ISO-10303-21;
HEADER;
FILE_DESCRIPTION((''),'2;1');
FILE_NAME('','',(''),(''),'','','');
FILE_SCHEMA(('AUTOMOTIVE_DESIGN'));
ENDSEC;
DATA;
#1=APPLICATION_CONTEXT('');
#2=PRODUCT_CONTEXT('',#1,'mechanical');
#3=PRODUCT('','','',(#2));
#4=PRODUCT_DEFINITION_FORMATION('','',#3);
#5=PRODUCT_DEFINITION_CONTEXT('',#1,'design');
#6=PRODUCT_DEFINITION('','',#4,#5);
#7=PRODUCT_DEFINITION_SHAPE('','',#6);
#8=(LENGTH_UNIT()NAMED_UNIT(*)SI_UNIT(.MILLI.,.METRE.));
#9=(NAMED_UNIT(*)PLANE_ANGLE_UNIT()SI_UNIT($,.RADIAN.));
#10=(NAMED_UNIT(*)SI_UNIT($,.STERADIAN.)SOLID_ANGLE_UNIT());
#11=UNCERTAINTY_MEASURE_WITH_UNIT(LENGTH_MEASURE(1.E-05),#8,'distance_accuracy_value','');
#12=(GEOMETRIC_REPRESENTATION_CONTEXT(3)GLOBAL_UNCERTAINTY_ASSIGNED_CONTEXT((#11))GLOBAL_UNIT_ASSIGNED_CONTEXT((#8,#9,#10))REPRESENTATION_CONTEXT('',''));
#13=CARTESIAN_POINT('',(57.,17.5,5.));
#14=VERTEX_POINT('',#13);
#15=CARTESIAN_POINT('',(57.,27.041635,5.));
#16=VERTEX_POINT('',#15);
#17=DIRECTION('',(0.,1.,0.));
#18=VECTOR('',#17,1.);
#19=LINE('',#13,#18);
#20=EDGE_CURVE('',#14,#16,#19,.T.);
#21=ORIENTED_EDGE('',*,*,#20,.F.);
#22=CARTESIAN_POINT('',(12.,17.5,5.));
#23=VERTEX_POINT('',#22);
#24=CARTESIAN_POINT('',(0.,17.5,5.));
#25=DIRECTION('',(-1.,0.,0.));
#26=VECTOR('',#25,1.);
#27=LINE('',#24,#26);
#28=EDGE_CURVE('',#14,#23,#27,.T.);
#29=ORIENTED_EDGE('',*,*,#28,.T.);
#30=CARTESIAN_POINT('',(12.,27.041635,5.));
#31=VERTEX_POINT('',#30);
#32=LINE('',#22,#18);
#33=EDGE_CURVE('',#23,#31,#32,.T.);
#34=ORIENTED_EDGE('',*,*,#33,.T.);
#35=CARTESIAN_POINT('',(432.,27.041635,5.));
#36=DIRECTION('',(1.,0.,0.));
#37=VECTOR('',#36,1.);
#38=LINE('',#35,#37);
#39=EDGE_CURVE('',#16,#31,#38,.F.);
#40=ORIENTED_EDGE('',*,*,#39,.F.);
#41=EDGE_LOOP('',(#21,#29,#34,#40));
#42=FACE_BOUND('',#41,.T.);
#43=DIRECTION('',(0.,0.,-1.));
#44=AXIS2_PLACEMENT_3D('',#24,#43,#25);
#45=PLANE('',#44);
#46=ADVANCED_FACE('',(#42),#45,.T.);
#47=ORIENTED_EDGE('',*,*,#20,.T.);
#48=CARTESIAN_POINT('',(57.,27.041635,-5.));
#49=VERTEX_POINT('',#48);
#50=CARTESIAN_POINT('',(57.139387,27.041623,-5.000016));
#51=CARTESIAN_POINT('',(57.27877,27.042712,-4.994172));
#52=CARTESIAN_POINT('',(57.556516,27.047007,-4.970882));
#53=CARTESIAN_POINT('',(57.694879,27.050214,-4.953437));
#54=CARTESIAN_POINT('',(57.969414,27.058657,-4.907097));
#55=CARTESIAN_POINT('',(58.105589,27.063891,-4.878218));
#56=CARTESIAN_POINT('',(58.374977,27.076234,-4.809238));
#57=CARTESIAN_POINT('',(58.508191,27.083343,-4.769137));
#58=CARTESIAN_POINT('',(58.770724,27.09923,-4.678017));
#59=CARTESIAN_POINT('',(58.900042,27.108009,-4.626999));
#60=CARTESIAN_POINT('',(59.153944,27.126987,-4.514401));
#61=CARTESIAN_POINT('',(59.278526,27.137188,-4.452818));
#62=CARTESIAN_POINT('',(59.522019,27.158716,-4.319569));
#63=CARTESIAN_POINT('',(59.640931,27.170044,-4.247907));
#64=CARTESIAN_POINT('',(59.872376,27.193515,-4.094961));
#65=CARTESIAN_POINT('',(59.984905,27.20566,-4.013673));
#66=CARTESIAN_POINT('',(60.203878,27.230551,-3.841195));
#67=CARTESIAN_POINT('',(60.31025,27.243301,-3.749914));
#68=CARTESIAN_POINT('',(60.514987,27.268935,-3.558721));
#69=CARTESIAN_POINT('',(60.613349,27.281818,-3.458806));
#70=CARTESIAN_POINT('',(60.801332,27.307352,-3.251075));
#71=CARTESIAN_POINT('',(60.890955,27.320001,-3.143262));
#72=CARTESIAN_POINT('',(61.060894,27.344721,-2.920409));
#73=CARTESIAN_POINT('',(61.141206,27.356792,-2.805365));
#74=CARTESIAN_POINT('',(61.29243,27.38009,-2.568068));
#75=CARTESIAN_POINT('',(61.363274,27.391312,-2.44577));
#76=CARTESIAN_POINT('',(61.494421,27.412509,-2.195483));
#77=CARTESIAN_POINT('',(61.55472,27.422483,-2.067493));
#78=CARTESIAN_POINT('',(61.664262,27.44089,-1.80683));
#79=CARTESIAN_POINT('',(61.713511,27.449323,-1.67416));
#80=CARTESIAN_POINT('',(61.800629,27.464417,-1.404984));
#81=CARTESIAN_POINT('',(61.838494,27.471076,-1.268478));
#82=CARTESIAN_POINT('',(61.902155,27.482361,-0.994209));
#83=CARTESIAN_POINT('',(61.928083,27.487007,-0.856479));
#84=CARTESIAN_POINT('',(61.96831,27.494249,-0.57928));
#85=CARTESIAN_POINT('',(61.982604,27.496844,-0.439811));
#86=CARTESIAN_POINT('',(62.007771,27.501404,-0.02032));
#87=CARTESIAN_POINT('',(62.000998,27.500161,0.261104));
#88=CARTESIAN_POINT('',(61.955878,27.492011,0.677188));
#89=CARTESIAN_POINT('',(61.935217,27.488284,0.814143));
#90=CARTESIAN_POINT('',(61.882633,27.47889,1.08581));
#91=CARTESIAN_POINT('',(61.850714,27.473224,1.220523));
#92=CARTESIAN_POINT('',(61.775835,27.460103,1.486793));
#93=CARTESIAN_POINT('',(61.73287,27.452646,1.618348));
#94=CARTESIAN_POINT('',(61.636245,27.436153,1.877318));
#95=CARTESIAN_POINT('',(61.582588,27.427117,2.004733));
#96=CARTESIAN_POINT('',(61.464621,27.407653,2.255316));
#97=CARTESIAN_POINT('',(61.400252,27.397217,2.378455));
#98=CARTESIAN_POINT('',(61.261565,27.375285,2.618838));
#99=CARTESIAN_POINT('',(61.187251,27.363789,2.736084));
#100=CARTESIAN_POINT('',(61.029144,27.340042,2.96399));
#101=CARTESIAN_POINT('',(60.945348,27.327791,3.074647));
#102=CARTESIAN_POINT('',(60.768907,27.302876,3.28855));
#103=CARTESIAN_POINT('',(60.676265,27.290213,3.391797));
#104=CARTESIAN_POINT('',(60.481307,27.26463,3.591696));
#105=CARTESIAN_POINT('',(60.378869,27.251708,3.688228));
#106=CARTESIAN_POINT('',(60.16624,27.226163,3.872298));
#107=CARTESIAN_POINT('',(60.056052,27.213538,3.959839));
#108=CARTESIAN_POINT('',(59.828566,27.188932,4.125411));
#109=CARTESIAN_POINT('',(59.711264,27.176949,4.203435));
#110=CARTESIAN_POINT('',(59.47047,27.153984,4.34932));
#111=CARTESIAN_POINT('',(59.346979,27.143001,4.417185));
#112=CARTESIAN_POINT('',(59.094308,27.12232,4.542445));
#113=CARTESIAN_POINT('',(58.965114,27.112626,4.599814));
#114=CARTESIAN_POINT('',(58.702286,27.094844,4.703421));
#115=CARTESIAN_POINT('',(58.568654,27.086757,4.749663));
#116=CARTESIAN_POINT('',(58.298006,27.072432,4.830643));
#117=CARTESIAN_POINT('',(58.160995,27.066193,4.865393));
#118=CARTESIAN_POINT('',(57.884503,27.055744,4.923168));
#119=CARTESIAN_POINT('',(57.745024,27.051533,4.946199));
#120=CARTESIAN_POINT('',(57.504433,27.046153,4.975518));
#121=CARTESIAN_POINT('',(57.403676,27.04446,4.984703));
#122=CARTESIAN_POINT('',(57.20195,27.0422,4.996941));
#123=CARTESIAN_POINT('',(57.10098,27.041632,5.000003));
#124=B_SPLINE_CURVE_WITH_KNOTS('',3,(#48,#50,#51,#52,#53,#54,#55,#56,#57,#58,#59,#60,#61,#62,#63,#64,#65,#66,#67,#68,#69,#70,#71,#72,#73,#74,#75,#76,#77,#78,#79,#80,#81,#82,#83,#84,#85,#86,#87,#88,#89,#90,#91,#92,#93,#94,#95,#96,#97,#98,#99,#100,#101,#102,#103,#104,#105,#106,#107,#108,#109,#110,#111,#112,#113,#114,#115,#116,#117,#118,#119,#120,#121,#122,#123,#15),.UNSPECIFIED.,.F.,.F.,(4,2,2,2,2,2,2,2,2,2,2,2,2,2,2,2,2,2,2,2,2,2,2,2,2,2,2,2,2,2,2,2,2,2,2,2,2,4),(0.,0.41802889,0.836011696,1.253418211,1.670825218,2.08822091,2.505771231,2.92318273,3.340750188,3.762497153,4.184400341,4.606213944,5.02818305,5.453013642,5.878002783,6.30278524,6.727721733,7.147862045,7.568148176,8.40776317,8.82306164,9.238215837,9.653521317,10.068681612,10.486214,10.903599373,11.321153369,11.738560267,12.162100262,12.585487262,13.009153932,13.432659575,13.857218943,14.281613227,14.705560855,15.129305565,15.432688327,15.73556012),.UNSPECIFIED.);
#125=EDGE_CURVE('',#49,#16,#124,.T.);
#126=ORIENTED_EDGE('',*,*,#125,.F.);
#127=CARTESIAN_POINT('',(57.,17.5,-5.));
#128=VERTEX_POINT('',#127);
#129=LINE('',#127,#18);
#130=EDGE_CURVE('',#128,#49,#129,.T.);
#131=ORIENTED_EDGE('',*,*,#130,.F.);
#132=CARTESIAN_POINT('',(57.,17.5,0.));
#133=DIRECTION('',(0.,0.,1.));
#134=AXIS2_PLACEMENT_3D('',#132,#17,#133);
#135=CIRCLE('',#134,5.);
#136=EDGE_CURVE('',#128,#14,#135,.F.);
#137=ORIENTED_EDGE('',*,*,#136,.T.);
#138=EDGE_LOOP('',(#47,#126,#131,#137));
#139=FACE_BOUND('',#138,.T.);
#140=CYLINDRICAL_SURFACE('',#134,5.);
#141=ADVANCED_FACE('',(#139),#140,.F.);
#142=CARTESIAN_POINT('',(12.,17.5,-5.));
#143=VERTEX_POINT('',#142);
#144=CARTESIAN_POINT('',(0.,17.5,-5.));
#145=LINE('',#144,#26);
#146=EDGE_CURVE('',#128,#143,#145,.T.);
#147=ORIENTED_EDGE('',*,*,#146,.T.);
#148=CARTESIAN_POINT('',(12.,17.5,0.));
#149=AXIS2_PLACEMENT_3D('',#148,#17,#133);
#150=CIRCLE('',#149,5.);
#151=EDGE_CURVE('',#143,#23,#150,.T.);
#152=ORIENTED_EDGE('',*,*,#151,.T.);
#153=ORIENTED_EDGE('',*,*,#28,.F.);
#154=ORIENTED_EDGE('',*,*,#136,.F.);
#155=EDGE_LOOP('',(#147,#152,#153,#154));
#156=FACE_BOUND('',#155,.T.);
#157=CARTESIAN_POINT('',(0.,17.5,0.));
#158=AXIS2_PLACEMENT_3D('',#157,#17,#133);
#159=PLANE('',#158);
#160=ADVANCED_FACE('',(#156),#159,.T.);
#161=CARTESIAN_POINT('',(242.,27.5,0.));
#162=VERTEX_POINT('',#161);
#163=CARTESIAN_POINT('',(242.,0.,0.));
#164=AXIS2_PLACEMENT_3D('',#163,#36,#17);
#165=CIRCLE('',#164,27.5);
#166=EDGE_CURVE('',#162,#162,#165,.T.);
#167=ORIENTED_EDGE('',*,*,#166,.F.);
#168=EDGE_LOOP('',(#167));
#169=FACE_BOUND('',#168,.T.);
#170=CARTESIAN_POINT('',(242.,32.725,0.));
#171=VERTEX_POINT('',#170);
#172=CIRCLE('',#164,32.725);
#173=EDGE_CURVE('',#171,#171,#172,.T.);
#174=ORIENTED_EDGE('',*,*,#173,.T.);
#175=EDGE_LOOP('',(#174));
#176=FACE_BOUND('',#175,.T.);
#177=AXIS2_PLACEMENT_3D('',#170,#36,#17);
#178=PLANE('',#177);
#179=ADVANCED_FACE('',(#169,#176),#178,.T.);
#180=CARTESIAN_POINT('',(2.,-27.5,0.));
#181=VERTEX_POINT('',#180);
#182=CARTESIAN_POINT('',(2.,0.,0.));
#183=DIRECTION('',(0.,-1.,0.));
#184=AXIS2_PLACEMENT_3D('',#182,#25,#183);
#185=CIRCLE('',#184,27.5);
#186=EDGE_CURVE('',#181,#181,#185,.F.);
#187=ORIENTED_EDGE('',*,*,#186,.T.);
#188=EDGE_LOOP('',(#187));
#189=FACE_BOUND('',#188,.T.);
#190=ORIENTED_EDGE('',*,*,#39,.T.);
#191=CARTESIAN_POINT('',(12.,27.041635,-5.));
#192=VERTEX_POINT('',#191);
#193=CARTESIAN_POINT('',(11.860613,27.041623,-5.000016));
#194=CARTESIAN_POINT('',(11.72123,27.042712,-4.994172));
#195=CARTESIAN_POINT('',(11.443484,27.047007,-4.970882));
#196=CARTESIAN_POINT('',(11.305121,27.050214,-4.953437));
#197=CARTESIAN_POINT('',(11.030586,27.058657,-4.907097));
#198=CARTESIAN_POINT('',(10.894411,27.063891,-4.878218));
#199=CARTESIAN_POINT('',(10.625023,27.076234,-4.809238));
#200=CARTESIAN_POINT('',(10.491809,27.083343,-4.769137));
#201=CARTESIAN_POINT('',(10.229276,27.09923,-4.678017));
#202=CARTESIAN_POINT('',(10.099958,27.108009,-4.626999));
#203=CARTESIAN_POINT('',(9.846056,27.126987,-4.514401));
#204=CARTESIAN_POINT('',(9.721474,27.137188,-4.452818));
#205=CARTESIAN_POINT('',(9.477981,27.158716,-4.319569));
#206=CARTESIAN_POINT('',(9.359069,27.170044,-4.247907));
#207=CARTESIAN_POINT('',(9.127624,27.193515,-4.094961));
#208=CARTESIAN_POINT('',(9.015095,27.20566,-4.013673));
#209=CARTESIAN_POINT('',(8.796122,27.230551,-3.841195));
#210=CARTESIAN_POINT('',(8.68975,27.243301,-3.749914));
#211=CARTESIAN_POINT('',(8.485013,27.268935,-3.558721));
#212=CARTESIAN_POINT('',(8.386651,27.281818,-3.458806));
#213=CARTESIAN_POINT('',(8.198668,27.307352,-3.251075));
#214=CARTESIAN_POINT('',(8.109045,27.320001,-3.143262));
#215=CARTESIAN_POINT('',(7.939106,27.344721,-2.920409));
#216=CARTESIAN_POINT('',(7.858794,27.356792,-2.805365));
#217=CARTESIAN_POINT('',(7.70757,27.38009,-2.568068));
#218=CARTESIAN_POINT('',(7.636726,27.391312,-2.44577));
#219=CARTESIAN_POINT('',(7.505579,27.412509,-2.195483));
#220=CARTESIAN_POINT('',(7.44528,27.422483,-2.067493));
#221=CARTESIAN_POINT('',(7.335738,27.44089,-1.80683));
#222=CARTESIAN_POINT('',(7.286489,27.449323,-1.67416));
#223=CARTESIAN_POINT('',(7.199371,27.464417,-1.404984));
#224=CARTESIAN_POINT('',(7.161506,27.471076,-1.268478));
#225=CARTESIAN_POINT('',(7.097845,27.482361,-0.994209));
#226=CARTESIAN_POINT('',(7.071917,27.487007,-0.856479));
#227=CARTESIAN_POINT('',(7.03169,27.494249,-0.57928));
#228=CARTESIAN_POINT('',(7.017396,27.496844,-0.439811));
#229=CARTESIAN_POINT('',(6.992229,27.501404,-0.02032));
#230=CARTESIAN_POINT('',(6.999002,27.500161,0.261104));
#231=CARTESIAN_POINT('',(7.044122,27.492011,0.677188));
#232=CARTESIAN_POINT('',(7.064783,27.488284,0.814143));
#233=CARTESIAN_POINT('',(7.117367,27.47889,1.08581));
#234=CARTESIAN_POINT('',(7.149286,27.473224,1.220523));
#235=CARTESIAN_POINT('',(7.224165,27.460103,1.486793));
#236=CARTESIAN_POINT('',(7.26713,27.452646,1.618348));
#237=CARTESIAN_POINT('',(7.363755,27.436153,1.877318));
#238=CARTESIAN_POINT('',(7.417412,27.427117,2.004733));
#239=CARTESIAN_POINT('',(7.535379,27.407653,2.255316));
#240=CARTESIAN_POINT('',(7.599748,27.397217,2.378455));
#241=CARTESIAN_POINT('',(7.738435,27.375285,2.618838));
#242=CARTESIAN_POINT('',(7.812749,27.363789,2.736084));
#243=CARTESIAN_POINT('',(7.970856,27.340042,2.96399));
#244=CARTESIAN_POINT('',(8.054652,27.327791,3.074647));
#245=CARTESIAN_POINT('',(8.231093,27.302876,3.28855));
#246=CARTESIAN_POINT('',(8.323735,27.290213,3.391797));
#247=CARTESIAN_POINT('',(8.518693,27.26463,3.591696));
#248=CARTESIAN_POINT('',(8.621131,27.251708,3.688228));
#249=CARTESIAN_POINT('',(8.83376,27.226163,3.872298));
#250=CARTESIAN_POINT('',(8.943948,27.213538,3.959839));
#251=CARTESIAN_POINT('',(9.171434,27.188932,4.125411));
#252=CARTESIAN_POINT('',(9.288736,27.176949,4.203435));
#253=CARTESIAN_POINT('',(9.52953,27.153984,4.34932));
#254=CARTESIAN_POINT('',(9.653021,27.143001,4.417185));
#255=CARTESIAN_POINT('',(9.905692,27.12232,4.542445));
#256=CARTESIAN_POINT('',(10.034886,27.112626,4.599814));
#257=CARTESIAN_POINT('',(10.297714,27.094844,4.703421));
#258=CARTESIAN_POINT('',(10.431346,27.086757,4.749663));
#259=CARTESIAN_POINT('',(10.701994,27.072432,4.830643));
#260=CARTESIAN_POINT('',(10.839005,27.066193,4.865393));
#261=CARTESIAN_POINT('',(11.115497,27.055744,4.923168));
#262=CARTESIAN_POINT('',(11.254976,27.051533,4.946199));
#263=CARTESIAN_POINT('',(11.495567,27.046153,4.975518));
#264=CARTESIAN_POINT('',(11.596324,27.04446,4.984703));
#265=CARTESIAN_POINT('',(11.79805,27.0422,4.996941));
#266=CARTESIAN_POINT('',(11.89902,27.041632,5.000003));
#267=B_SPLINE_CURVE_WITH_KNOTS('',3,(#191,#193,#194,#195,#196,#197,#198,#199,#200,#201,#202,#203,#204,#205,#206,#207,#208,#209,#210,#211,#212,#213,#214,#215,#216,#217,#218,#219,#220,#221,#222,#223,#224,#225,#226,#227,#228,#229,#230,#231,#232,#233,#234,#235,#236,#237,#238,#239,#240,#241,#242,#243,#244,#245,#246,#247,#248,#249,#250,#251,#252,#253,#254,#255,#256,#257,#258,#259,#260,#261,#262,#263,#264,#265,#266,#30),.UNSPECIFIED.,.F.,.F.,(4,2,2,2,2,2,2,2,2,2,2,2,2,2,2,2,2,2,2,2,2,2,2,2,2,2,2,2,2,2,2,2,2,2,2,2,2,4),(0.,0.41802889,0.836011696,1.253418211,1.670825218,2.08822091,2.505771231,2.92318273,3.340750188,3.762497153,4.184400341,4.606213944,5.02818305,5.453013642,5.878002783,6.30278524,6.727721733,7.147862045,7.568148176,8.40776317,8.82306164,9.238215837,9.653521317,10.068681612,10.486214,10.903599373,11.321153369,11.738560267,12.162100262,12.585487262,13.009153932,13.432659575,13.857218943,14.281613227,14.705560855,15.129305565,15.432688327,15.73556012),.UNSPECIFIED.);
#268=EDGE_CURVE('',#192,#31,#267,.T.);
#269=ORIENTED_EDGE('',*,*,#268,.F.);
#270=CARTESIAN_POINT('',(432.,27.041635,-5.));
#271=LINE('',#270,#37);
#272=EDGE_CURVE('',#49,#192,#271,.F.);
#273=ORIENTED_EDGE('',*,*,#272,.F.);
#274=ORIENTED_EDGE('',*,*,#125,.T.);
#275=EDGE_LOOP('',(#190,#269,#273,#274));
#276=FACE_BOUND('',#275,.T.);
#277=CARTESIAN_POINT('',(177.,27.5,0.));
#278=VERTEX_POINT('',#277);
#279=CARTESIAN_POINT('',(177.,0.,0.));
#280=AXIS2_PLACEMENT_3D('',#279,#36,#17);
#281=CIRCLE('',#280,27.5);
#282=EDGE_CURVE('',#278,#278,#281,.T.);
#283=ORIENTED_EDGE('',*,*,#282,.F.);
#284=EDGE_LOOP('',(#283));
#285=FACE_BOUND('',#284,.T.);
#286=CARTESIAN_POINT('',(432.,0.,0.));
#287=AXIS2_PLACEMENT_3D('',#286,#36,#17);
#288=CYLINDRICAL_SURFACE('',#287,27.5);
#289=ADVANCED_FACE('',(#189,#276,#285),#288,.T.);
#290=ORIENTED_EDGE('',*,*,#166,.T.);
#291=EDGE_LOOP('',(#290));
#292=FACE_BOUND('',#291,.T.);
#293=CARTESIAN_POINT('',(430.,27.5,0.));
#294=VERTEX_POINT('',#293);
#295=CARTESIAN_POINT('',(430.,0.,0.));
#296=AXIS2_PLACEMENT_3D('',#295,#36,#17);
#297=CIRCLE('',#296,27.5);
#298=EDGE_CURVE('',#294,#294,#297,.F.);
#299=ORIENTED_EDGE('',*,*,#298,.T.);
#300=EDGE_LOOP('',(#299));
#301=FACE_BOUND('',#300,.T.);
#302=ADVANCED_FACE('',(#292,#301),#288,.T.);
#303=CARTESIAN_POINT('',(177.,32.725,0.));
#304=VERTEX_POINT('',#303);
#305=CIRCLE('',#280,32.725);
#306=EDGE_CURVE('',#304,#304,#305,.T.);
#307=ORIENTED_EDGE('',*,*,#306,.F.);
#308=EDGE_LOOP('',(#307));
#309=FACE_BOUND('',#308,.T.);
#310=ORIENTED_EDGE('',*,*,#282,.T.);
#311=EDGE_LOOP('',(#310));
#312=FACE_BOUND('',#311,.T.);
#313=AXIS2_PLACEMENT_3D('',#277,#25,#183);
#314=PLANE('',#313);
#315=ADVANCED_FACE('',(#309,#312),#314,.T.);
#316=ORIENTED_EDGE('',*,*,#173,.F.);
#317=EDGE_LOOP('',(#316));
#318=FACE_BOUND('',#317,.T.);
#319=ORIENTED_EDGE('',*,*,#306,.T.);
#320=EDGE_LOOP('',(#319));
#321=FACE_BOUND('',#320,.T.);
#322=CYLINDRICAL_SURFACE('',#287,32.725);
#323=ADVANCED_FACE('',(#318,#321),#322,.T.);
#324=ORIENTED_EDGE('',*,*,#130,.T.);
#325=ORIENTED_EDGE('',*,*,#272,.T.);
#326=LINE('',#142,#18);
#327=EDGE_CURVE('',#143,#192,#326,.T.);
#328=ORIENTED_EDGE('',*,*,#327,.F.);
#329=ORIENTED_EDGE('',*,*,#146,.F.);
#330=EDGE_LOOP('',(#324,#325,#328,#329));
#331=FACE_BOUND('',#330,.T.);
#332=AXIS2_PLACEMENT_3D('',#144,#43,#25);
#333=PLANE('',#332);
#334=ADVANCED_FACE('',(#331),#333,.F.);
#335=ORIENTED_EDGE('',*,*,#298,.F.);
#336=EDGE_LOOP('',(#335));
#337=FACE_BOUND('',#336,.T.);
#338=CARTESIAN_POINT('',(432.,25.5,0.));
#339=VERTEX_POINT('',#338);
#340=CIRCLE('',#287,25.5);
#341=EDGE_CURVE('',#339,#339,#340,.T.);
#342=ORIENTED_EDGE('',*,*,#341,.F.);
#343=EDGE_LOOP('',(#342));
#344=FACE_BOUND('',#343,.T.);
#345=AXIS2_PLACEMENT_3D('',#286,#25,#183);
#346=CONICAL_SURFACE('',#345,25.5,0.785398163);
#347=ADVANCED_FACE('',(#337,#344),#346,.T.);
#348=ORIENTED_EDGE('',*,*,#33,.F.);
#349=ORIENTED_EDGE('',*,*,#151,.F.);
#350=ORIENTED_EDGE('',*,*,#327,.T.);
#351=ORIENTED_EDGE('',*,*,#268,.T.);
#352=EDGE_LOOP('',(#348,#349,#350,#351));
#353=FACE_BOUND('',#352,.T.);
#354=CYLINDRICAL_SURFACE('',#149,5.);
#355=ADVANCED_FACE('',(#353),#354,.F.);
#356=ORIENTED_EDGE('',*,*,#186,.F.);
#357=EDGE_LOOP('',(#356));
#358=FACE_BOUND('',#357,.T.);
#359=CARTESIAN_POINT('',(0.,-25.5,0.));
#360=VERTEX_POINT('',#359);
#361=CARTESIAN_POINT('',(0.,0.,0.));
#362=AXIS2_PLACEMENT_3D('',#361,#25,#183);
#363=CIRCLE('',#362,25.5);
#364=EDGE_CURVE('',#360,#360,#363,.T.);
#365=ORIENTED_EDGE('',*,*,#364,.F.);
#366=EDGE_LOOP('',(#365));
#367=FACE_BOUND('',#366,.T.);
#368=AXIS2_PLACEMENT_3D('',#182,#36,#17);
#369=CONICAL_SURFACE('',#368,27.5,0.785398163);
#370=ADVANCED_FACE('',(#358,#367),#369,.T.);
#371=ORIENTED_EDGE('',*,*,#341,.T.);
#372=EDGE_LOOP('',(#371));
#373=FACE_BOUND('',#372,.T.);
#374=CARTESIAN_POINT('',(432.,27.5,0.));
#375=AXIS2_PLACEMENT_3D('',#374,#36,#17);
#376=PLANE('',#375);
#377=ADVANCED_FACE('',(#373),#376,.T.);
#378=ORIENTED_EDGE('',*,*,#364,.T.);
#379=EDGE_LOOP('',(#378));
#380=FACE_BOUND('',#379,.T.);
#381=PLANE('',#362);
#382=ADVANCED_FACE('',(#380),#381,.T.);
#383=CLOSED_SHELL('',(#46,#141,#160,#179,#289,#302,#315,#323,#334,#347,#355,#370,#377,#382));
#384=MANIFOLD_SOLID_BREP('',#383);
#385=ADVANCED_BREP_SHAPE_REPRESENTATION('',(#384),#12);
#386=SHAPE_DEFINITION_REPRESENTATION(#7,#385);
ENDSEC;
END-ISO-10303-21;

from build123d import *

# Parameters (mm, degrees)
CHAFL_N1_SIZE         = 2
CORTAR_EXTRUIR1_DEPTH = 10


with BuildPart() as part:
    # Croquis1 → Revolución1 (revolve)
    with BuildSketch(Plane.XY):
        Polygon((0, 0), (0, 27.5), (177, 27.5), (177, 32.725), (242, 32.725), (242, 27.5), (432, 27.5), (432, 0), align=None)
    revolve(axis=Axis((432, 0, 0), (-1, 0, 0)))

    # Chaflán1
    chafl_n1_edges = [part.edges().sort_by_distance(p)[0] for p in [
        (432, -27.5, 0),
        (0, -27.5, 0),
    ]]
    chamfer(chafl_n1_edges, length=CHAFL_N1_SIZE)

    # Croquis2 → Cortar-Extruir1 (cut)
    with BuildSketch(Plane(origin=(0, 27.5, 0), x_dir=(1, 0, 0), z_dir=(0, 1, 0))):
        with BuildLine():
            Line((57, 5), (12, 5))
            ThreePointArc((12, 5), (7, 0), (12, -5))
            Line((12, -5), (57, -5))
            ThreePointArc((57, -5), (62, 0), (57, 5))
        make_face()
    extrude(amount=-CORTAR_EXTRUIR1_DEPTH, mode=Mode.SUBTRACT)


solid = part.part
